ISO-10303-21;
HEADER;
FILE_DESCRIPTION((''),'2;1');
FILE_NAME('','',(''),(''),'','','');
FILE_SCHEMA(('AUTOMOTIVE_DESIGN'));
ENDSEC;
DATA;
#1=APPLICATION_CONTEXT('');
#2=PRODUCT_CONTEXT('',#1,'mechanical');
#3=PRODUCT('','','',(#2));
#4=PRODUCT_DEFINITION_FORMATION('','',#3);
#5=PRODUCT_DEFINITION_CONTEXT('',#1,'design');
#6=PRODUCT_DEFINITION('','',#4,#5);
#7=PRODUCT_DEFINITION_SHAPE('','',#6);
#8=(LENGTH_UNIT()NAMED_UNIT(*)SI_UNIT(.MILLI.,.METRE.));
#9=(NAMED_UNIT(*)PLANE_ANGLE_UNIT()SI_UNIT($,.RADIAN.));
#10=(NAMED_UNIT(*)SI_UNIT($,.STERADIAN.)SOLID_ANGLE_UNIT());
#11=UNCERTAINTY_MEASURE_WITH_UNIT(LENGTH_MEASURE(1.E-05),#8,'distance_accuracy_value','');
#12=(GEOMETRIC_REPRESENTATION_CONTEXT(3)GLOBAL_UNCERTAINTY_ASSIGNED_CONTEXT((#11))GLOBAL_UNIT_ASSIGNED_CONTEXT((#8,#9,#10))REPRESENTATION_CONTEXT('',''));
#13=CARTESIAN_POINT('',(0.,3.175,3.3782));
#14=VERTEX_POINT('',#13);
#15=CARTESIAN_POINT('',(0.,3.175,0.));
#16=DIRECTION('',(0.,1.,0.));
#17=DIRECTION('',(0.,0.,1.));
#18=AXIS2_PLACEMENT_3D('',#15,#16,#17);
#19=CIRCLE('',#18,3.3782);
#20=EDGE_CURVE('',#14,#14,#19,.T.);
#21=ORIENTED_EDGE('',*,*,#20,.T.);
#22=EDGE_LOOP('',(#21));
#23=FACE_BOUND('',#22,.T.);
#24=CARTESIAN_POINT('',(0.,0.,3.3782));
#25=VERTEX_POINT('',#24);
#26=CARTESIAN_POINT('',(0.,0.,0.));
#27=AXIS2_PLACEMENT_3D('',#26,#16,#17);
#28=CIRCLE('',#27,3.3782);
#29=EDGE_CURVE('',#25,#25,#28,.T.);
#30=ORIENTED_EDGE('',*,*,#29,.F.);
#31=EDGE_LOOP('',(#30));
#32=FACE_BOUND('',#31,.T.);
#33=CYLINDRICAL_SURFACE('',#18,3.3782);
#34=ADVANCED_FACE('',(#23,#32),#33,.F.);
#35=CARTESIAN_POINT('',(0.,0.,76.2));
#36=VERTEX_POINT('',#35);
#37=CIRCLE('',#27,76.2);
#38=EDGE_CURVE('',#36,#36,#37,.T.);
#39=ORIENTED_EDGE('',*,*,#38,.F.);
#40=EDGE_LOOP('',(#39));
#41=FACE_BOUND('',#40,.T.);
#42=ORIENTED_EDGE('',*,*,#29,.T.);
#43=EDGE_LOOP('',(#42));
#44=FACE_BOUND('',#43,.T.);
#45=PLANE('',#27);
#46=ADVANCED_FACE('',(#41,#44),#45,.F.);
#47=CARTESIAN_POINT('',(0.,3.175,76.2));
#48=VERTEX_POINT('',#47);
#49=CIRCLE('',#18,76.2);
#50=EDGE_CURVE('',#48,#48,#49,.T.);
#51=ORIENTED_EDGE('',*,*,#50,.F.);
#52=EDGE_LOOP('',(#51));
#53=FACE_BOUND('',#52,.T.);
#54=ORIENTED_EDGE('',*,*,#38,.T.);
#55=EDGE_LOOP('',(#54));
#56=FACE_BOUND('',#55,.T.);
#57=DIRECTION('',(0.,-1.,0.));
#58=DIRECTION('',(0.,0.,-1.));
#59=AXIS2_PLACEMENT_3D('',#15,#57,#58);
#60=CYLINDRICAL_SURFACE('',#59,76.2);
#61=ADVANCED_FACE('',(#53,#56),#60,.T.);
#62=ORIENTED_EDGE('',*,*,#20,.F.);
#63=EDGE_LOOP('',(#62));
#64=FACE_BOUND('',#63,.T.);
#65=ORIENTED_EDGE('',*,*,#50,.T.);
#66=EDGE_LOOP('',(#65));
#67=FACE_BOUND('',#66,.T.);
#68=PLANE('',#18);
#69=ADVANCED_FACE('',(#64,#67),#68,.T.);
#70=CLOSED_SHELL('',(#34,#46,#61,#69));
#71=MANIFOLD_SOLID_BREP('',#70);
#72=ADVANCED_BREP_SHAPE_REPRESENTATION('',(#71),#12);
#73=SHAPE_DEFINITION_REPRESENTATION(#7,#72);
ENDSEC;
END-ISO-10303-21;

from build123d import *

# Parameters (mm, degrees)
SKETCH1_R               = 76.2
BOSS_EXTRUDE1_DEPTH     = 3.175
F_1_4_CLEARANCE_HOLE1_D = 6.7564


with BuildPart() as part:
    # Sketch1 → Boss-Extrude1 (new body)
    with BuildSketch(Plane(origin=(0, 0, 0), x_dir=(1, 0, 0), z_dir=(0, 1, 0))):
        with Locations(Location((0, 0, 0), (0, 0, 270))):
            Circle(SKETCH1_R)
    extrude(amount=BOSS_EXTRUDE1_DEPTH)

    # 1/4 Clearance Hole1 (through all)
    with Locations(Plane(origin=(0, 3.175, 0), x_dir=(1, 0, 0), z_dir=(0, 1, 0))):
        with Locations((0, 0)):
            Hole(F_1_4_CLEARANCE_HOLE1_D / 2)


solid = part.part
